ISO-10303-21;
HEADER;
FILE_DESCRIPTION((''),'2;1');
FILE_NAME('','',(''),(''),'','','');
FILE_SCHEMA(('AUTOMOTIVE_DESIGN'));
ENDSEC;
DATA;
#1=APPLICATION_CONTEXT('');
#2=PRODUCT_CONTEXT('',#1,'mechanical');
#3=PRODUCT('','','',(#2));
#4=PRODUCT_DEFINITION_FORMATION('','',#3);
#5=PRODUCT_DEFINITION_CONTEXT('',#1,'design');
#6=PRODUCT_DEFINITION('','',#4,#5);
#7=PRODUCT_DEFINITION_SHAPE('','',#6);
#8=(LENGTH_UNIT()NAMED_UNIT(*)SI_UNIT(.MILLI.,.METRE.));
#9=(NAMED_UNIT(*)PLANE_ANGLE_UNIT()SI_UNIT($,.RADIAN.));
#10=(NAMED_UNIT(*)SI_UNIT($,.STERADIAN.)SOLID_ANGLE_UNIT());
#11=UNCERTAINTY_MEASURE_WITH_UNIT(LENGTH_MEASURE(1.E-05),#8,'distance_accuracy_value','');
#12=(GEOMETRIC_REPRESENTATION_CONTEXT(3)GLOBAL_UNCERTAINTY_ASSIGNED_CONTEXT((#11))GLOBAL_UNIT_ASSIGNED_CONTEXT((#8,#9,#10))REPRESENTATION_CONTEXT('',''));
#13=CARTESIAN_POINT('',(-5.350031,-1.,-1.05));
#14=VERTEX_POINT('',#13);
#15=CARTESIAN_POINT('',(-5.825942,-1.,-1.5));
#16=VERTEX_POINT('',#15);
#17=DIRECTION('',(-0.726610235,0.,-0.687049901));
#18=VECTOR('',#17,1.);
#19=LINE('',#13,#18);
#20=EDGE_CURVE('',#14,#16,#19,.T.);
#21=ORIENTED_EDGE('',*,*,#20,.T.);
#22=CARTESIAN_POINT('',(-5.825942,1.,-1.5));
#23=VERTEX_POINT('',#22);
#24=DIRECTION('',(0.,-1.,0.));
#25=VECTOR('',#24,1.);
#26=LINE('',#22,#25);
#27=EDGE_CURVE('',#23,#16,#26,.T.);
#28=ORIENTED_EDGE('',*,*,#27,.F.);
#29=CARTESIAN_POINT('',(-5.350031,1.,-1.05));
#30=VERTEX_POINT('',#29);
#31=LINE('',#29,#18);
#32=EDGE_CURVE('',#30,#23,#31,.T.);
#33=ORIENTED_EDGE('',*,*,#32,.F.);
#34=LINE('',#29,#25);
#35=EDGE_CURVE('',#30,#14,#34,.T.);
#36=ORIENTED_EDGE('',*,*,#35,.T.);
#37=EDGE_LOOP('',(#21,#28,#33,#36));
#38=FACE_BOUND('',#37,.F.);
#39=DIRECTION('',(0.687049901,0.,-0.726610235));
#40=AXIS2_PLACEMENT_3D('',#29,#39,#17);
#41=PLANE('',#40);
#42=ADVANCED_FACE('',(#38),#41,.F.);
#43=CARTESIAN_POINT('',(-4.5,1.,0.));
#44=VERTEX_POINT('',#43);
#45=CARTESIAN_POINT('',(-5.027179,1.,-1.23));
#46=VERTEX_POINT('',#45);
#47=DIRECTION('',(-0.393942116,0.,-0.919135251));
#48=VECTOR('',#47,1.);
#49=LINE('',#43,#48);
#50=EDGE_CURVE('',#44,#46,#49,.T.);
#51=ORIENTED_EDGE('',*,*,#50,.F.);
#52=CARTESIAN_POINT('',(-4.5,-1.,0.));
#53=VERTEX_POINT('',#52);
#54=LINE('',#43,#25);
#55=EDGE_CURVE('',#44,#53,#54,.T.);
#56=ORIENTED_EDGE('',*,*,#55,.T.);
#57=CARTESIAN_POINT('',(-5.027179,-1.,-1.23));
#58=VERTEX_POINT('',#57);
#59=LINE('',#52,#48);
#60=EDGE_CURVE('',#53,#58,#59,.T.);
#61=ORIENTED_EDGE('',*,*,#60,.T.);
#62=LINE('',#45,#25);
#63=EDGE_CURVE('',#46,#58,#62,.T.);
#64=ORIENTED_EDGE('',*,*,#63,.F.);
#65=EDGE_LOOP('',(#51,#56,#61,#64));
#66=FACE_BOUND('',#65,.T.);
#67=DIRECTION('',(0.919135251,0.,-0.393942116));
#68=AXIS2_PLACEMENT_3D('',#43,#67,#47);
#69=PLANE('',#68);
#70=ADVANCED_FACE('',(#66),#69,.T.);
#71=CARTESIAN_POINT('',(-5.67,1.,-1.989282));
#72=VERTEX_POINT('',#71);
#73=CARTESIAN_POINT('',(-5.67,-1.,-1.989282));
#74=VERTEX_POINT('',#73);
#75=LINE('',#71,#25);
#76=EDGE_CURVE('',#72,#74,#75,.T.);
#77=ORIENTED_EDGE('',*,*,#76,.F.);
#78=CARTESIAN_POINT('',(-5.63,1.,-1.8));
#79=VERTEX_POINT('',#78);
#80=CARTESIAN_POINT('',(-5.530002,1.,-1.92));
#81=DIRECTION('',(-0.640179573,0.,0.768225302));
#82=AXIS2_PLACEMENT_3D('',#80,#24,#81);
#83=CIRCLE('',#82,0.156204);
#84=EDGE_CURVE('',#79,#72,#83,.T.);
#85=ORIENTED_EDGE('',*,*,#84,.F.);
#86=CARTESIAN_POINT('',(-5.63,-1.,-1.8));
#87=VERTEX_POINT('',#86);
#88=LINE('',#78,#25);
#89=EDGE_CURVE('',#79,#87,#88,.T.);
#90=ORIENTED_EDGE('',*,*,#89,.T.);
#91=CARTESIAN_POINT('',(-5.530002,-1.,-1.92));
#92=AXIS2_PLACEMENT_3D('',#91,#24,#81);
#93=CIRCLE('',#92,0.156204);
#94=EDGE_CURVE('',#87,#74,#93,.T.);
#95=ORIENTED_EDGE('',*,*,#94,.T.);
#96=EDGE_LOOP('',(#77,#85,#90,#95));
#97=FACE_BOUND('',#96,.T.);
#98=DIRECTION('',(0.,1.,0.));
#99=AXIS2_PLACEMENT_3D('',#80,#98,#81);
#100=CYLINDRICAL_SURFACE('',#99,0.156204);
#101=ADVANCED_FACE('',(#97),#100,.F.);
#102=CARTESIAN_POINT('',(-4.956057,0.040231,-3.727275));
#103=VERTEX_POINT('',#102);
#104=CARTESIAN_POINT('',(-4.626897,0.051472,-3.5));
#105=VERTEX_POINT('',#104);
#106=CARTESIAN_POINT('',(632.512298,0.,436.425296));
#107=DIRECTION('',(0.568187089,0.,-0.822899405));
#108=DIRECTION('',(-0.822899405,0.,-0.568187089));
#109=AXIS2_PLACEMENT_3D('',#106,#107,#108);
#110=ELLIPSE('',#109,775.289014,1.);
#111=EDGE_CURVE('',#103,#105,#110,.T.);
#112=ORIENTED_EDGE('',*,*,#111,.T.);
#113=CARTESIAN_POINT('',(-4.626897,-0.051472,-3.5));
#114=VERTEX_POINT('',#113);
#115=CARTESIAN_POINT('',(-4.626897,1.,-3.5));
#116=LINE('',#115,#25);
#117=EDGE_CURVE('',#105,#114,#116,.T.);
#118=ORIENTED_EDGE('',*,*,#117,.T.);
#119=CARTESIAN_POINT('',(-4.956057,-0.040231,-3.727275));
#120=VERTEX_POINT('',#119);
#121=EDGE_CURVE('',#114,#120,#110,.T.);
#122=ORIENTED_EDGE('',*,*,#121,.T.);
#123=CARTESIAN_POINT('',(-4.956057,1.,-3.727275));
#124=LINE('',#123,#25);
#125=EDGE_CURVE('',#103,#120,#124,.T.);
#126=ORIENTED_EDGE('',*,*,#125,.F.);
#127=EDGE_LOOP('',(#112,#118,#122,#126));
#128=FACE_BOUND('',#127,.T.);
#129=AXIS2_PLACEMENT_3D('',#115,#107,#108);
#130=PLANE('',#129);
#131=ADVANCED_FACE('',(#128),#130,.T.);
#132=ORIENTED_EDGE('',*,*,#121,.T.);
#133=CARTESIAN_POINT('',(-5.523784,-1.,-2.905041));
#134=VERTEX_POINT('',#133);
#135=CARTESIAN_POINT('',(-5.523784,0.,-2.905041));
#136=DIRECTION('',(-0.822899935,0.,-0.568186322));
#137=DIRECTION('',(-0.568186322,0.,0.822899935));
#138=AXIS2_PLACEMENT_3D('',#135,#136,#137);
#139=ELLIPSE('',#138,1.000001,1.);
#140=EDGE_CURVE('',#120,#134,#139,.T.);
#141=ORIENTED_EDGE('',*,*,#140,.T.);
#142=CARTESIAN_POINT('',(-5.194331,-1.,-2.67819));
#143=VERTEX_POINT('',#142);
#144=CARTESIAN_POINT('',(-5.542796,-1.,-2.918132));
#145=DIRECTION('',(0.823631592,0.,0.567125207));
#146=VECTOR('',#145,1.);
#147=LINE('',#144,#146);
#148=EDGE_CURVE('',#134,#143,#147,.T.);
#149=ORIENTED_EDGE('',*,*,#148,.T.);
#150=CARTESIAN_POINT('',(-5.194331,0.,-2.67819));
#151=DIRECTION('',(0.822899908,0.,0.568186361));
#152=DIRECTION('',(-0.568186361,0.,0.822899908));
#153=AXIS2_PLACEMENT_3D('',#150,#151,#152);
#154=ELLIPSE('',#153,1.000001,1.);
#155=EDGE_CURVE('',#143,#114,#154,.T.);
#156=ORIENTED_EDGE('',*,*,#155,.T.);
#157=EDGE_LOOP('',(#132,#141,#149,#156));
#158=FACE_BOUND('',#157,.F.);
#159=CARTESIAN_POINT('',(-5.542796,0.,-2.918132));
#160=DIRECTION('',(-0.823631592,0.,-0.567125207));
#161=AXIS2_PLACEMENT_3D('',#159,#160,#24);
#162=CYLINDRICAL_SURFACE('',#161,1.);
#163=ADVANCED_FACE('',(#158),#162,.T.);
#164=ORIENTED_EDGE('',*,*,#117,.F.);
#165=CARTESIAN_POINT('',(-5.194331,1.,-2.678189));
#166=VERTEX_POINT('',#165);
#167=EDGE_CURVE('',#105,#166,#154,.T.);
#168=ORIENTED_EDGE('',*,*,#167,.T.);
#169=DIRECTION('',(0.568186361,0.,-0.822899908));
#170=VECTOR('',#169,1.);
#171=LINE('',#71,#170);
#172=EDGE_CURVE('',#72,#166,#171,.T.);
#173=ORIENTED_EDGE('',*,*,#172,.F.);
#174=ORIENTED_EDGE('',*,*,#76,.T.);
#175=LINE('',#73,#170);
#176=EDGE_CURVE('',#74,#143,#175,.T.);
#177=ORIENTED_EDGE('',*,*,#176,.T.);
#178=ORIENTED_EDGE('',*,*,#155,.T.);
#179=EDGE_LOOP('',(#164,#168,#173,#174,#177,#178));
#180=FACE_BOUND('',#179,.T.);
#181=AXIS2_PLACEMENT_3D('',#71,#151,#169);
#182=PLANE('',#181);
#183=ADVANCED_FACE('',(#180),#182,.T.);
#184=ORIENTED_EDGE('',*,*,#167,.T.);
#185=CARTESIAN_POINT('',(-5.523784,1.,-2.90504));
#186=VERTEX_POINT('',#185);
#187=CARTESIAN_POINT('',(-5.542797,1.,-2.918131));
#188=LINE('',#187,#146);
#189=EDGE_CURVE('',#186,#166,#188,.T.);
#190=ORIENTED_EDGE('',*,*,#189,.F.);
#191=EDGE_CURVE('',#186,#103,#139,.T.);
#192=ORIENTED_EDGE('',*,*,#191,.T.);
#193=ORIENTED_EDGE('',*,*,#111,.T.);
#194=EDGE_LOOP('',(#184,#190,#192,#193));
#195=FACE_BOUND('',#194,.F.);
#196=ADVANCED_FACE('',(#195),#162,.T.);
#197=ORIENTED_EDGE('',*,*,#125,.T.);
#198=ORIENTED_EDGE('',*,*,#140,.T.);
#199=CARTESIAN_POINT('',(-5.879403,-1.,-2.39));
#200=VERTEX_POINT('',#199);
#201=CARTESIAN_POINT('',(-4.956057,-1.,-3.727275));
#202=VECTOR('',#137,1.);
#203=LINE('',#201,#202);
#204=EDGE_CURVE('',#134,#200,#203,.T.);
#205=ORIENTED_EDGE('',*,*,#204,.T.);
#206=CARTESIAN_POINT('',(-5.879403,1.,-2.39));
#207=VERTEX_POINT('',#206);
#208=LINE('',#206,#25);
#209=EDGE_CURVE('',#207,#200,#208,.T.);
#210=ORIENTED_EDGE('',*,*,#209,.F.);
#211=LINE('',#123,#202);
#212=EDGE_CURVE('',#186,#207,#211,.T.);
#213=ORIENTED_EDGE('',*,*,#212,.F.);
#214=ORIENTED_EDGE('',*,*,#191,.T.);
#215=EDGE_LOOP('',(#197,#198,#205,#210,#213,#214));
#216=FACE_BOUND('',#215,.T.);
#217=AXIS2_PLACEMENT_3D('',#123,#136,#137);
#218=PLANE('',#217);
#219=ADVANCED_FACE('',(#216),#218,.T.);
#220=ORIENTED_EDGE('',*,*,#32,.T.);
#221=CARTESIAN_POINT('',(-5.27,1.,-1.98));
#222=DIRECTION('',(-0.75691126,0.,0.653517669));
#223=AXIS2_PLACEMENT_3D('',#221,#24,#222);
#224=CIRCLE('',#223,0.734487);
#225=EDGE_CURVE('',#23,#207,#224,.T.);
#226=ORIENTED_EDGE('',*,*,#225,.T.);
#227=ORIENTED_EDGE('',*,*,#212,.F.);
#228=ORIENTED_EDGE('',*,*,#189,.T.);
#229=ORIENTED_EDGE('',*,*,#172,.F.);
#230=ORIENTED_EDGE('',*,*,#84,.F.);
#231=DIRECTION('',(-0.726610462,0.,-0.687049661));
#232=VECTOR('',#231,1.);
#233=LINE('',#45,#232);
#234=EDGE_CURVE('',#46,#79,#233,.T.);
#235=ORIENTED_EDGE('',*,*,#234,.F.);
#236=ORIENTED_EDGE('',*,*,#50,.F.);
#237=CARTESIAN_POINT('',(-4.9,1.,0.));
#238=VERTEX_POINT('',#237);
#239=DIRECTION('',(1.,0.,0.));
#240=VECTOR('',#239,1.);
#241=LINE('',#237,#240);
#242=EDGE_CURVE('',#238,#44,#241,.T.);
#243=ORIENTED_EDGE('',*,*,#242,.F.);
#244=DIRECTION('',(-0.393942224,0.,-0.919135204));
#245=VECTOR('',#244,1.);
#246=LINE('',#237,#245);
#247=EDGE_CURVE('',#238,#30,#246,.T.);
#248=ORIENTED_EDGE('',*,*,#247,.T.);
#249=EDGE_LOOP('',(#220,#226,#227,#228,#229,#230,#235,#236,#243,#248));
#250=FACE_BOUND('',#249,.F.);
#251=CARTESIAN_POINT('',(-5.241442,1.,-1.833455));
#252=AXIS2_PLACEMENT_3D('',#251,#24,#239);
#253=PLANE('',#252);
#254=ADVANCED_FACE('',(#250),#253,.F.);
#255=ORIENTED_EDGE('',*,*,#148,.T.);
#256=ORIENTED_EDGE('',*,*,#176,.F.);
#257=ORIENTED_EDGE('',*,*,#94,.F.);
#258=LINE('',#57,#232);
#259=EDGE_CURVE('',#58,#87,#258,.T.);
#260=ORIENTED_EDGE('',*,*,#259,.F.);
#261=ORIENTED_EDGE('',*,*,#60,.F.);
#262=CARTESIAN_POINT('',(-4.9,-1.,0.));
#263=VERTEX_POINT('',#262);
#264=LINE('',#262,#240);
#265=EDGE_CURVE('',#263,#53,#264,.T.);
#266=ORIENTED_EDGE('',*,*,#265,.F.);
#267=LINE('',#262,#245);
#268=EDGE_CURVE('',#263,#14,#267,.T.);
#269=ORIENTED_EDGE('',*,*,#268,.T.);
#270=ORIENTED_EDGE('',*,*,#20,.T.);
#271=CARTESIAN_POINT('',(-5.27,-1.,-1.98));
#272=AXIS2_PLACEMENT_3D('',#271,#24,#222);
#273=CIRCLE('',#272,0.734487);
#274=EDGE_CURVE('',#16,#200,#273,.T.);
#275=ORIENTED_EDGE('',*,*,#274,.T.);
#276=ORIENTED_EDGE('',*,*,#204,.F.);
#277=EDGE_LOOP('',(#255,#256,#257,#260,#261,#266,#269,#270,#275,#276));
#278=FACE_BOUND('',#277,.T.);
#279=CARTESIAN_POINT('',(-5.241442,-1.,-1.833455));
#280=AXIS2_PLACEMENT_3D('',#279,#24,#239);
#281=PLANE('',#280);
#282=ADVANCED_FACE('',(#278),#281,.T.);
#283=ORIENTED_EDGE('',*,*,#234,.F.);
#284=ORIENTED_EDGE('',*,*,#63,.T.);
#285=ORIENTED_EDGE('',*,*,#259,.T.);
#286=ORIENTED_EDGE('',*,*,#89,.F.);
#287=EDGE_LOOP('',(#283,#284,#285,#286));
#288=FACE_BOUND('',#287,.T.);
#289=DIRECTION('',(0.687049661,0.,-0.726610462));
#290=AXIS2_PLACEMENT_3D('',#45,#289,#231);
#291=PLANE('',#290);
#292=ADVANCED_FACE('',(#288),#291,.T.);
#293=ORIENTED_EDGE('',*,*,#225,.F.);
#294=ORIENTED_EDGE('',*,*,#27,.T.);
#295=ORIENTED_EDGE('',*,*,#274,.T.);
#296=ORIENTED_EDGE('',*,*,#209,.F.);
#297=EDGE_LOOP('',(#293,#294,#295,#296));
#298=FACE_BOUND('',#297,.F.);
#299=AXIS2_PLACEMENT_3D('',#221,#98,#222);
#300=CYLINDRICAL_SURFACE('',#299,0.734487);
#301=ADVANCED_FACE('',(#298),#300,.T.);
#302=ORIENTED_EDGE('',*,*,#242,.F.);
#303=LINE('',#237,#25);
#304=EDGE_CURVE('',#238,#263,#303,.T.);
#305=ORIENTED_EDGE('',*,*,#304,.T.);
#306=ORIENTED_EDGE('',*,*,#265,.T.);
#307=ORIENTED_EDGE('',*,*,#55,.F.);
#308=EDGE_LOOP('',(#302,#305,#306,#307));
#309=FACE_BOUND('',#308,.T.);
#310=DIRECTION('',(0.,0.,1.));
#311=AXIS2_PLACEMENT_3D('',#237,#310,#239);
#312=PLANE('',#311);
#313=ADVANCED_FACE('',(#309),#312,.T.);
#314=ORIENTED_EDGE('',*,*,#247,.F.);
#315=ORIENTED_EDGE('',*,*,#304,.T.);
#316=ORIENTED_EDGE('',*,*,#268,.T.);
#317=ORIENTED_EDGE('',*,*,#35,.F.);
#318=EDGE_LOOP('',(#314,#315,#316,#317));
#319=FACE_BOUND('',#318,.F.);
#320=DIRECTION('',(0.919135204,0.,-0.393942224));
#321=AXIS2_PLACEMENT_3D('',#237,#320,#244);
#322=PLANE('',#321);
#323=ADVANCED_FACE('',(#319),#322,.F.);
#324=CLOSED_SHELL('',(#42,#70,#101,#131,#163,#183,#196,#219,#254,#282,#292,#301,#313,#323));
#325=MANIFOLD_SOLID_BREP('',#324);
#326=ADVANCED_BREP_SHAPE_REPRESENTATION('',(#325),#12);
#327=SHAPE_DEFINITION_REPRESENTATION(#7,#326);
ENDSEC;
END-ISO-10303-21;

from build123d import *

# Parameters (mm, degrees)
PAD007_DEPTH            = 0.45
BODY007_PLACEMENT_ANGLE = 325.45
PAD005_DEPTH            = 2


with BuildPart() as body007:
    # Sketch009 → Pad007 (new body)
    with BuildSketch(Plane.YZ):
        with BuildLine():
            ThreePointArc((-1, 1.01), (0, 0.01), (1, 1.010001))
            Line((1, 0), (1, 1.010001))
            Line((-1, 0), (1, 0))
            Line((-1, 1.01), (-1, 0))
        make_face()
    extrude(amount=PAD007_DEPTH)


with BuildPart() as body007_1:
    # Body007 placement: moved
    add(body007.part.moved(Location((-4.97, 0, -3.75))).rotate(Axis((-4.97, 0, -3.75), (0, 1, 0)), BODY007_PLACEMENT_ANGLE))


with BuildPart() as cut004:
    # Sketch007 → Pad005 (new body)
    with BuildSketch(Plane.XZ):
        with BuildLine():
            Line((-4.9, 0), (-5.350031, -1.05))
            Line((-5.350031, -1.05), (-5.825942, -1.5))
            ThreePointArc((-5.825942, -1.5), (-6.003166, -1.93596), (-5.879403, -2.39))
            Line((-4.956057, -3.727275), (-5.879403, -2.39))
            Line((-4.626897, -3.5), (-4.956057, -3.727275))
            Line((-5.67, -1.989282), (-4.626897, -3.5))
            ThreePointArc((-5.63, -1.8), (-5.68283, -1.887703), (-5.67, -1.989282))
            Line((-5.027179, -1.23), (-5.63, -1.8))
            Line((-4.5, 0), (-5.027179, -1.23))
            Line((-4.9, 0), (-4.5, 0))
        make_face()
    extrude(amount=PAD005_DEPTH)


with BuildPart() as cut004_1:
    # Body005 placement: moved
    add(cut004.part.moved(Location((0, 1, 0))))

    # Cut004: cut Body007
    add(body007_1.part, mode=Mode.SUBTRACT)


solid = cut004_1.part
